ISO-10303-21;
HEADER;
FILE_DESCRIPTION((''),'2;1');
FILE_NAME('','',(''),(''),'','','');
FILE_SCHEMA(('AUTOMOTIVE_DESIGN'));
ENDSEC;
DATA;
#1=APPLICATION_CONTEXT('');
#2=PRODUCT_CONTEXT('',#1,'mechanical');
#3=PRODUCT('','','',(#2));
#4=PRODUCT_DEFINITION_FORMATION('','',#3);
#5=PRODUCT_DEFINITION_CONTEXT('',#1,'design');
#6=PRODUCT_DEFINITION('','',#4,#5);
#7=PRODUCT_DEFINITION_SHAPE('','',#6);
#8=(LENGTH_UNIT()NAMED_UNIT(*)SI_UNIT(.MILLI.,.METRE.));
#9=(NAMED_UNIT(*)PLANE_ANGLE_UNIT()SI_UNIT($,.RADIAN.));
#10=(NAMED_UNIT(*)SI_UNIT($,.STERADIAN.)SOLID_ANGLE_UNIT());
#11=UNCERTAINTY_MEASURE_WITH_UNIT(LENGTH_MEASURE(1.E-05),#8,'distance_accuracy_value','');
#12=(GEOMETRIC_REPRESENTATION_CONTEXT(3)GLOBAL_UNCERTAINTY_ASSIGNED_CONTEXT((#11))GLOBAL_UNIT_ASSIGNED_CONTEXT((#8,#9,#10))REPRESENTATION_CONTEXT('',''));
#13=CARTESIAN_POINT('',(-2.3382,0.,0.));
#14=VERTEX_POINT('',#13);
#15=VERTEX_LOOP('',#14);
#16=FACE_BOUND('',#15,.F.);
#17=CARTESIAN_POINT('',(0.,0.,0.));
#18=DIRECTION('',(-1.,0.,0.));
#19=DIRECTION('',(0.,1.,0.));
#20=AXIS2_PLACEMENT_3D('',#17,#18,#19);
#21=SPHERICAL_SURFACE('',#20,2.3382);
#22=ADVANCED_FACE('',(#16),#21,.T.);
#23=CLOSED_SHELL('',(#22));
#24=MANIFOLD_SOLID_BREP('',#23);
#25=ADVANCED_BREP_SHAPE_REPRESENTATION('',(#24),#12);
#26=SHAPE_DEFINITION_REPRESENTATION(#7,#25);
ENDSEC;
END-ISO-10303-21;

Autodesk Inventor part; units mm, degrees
sketch "Sketch_1" plane through (0, 0, 0) normal (0, 0, 1) x (1, 0, 0)
  line L0 (2.3382, 0) -> (-2.3382, 0)
  arc A0 (2.3382, 0) -> (-2.3382, 0) centre (0, 0) ccw
  line L1 (2.3382, 0) -> (-2.3382, 0)
revolve "Revolution1" add sketch "Sketch_1" angle 360 about axis through (2.3382, 0, 0) along (1, 0, 0)
ref_plane "ip_cb_1_XY" through (0, 0, 0) normal (-1, 0, 0) x (0, 0, -1)
ref_plane "ip_cb_1_YZ" through (0, 0, 0) normal (0, 0, -1) x (0, -1, 0)
ref_plane "ip_cb_1_ZX" through (0, 0, 0) normal (0, -1, 0) x (-1, 0, 0)
properties part number "2200 Ball"
